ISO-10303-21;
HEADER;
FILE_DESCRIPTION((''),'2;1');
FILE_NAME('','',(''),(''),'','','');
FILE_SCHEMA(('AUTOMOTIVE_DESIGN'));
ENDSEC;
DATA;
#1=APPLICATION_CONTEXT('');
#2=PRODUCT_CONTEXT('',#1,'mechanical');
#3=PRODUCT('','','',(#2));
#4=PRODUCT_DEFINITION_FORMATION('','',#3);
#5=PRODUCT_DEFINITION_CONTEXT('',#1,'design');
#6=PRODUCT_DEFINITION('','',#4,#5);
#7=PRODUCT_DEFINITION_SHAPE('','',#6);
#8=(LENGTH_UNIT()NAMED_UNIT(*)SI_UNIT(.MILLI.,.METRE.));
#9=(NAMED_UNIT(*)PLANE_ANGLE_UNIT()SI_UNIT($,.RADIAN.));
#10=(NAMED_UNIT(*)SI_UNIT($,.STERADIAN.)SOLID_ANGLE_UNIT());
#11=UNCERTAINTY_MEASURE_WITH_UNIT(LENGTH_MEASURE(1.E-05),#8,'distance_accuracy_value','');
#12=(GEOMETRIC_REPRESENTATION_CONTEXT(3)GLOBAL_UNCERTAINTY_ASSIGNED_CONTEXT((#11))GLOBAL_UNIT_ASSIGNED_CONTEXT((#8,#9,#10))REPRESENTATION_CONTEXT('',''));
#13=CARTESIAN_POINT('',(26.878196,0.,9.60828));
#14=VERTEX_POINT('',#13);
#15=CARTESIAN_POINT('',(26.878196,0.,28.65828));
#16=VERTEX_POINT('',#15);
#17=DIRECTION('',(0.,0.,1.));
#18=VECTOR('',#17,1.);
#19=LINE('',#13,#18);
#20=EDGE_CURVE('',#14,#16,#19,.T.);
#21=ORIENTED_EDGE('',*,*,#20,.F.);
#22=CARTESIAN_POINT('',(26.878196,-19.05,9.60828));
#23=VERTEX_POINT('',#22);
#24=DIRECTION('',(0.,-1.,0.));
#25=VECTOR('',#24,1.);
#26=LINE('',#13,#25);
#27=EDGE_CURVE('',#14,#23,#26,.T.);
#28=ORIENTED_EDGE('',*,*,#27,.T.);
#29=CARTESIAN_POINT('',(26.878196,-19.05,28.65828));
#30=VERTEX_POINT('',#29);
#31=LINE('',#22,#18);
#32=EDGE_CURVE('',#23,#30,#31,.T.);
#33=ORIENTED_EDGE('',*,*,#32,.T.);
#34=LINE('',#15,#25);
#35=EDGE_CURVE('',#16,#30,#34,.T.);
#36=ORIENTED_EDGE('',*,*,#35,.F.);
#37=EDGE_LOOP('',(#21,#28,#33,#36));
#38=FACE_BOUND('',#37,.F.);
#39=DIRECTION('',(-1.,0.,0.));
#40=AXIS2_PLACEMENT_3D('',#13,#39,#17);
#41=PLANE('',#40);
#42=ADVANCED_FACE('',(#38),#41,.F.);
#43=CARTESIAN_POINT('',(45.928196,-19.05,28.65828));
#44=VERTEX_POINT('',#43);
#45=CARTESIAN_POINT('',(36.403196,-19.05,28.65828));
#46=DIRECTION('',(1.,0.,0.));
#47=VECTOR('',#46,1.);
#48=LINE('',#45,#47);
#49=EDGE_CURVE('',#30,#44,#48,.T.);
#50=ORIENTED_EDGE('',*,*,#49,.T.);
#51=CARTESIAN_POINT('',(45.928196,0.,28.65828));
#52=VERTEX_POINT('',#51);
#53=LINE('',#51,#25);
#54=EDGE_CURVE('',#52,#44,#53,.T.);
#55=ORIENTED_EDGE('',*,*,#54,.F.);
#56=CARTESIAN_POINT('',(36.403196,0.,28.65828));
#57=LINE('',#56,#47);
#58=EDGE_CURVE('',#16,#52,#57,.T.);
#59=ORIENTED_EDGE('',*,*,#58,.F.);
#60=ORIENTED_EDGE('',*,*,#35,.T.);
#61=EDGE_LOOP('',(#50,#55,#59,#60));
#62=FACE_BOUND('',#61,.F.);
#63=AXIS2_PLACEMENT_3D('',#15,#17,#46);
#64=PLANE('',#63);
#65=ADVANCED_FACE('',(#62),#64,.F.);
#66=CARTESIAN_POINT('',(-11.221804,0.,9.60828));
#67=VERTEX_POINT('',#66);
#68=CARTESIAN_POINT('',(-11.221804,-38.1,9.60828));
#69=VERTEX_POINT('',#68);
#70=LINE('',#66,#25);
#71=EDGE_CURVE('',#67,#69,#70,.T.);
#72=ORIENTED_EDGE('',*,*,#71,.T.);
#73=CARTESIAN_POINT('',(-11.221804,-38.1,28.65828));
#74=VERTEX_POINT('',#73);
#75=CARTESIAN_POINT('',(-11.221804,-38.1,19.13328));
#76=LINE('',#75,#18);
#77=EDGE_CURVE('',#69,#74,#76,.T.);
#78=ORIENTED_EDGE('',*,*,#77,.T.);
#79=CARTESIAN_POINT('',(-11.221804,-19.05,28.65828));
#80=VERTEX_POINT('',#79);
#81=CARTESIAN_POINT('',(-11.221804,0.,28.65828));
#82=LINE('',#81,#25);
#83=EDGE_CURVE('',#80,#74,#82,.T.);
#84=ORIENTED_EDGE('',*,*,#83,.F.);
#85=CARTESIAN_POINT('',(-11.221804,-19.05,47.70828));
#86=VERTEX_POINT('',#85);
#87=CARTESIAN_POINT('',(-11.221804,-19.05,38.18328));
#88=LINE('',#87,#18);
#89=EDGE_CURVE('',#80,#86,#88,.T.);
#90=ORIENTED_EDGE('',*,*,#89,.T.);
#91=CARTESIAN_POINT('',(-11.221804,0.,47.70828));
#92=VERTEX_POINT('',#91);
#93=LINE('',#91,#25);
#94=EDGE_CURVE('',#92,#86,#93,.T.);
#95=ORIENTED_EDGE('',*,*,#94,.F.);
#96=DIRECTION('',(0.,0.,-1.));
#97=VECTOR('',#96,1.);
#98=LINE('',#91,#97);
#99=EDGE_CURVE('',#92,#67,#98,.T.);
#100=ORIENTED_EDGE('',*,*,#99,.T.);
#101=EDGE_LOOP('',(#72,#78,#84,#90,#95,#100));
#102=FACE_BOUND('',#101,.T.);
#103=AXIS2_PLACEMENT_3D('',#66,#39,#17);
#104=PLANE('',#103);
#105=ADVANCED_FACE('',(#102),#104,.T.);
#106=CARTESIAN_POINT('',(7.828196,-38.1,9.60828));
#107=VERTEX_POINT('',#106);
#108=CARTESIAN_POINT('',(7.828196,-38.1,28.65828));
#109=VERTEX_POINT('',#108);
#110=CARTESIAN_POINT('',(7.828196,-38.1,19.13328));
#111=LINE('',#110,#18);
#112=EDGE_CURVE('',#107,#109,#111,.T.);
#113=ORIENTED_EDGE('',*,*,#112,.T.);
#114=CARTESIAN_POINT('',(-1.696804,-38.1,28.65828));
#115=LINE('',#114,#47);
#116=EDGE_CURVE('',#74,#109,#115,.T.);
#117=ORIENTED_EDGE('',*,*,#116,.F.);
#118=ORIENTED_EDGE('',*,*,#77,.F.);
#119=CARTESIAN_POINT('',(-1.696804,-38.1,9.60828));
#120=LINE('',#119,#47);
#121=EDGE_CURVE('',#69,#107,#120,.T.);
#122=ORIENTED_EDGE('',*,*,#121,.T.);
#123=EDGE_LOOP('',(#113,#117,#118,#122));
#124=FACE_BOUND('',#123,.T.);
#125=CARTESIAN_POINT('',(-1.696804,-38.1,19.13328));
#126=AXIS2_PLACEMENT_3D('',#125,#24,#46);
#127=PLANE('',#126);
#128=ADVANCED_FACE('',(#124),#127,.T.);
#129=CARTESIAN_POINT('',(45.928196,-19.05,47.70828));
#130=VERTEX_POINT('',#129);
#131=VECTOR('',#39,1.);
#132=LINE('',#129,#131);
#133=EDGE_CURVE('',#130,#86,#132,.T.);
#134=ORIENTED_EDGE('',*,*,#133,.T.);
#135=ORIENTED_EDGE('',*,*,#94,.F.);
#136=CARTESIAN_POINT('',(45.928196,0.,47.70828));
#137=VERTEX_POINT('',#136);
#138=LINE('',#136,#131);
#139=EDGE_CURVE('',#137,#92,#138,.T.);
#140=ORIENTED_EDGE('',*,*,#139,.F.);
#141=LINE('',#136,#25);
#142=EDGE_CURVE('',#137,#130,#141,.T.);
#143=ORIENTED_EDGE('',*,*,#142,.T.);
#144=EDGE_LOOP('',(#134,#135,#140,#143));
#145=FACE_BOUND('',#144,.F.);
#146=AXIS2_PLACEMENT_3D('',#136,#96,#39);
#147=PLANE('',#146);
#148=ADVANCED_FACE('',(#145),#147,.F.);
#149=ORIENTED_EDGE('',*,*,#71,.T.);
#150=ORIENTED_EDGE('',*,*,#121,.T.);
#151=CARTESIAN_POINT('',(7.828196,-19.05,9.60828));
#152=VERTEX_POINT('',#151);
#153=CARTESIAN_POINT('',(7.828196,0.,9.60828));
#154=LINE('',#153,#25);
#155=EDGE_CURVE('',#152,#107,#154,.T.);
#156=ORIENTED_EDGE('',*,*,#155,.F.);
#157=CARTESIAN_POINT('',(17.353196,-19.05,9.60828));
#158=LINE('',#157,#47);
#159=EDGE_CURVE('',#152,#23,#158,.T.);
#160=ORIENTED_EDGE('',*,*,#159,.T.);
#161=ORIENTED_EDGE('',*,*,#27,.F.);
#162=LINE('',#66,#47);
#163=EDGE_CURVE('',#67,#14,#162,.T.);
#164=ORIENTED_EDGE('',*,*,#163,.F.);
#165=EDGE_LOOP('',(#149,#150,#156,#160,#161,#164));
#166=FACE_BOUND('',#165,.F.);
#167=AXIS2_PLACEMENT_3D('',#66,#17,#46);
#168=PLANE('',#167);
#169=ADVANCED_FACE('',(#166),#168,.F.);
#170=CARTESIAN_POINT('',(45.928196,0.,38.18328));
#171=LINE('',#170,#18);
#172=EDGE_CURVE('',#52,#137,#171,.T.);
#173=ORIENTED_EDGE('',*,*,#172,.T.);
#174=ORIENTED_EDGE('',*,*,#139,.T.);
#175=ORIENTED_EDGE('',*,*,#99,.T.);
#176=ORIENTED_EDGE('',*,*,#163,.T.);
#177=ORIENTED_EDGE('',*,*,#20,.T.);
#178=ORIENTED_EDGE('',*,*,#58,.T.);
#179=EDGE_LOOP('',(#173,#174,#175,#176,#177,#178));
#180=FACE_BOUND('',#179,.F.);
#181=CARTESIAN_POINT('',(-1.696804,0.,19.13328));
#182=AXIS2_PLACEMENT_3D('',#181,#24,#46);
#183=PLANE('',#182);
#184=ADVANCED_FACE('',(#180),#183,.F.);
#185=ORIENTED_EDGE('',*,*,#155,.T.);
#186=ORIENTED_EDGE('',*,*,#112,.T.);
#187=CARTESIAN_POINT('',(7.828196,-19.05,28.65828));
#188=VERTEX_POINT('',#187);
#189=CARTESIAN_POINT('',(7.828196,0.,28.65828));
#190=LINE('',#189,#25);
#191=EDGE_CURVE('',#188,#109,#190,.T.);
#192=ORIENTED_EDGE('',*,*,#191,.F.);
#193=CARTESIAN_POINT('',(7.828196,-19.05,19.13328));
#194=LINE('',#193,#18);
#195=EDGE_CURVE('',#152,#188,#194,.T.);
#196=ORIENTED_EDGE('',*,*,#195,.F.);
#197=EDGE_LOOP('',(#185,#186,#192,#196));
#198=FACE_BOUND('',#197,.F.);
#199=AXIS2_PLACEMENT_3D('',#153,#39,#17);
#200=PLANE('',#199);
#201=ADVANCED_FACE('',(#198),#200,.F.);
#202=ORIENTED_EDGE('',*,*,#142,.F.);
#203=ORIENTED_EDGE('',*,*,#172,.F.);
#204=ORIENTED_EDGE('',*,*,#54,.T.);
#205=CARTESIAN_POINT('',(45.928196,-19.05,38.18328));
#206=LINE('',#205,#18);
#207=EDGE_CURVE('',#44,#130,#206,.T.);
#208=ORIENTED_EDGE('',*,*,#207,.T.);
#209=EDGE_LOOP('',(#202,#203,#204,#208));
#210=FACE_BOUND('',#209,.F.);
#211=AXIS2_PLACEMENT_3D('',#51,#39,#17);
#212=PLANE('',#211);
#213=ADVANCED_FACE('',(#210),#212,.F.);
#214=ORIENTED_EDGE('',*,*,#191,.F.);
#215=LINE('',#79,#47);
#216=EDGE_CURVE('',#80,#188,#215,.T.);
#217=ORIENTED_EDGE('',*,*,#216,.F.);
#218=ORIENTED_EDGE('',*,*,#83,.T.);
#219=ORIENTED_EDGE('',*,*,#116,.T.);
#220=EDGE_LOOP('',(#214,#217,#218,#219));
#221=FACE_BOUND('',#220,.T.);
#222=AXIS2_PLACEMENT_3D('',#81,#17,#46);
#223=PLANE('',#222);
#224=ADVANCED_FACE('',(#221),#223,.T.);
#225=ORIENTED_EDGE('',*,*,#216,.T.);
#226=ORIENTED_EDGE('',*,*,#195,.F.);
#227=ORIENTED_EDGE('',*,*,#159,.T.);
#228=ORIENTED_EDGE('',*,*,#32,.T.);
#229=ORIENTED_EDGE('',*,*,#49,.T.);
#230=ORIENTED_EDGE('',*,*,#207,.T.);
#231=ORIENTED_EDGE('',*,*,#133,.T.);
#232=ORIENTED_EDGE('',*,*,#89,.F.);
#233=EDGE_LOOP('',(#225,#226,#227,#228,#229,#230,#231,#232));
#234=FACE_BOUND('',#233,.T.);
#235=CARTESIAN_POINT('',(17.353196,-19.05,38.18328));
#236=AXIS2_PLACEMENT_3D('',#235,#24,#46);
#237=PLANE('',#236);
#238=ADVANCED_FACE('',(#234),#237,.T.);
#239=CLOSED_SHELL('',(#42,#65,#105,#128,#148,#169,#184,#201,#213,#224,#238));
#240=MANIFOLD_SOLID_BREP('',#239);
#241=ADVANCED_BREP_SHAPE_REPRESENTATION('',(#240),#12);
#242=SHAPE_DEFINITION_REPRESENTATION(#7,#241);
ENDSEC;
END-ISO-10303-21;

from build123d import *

# Parameters (mm, degrees)
F0_W     = 19.05
F0_H     = 19.05
F1_DEPTH = 19.05
F2_DEPTH = 38.1


with BuildPart() as f1:
    # F0 (on Front) → F1 (new body)
    with BuildSketch(Plane.XZ):
        with Locations((17.353196, 38.18328)):
            Rectangle(F0_W, F0_H)
        with Locations((-1.696804, 38.18328)):
            Rectangle(F0_W, F0_H)
        with Locations((17.353196, 19.13328)):
            Rectangle(F0_W, F0_H)
        with Locations((36.403196, 38.18328)):
            Rectangle(F0_W, F0_H)
    extrude(amount=F1_DEPTH)

    # F0 (on Front) → F2 (join)
    with BuildSketch(Plane.XZ):
        with Locations((-1.696804, 19.13328)):
            Rectangle(F0_W, F0_H)
    extrude(amount=F2_DEPTH)


solid = f1.part
